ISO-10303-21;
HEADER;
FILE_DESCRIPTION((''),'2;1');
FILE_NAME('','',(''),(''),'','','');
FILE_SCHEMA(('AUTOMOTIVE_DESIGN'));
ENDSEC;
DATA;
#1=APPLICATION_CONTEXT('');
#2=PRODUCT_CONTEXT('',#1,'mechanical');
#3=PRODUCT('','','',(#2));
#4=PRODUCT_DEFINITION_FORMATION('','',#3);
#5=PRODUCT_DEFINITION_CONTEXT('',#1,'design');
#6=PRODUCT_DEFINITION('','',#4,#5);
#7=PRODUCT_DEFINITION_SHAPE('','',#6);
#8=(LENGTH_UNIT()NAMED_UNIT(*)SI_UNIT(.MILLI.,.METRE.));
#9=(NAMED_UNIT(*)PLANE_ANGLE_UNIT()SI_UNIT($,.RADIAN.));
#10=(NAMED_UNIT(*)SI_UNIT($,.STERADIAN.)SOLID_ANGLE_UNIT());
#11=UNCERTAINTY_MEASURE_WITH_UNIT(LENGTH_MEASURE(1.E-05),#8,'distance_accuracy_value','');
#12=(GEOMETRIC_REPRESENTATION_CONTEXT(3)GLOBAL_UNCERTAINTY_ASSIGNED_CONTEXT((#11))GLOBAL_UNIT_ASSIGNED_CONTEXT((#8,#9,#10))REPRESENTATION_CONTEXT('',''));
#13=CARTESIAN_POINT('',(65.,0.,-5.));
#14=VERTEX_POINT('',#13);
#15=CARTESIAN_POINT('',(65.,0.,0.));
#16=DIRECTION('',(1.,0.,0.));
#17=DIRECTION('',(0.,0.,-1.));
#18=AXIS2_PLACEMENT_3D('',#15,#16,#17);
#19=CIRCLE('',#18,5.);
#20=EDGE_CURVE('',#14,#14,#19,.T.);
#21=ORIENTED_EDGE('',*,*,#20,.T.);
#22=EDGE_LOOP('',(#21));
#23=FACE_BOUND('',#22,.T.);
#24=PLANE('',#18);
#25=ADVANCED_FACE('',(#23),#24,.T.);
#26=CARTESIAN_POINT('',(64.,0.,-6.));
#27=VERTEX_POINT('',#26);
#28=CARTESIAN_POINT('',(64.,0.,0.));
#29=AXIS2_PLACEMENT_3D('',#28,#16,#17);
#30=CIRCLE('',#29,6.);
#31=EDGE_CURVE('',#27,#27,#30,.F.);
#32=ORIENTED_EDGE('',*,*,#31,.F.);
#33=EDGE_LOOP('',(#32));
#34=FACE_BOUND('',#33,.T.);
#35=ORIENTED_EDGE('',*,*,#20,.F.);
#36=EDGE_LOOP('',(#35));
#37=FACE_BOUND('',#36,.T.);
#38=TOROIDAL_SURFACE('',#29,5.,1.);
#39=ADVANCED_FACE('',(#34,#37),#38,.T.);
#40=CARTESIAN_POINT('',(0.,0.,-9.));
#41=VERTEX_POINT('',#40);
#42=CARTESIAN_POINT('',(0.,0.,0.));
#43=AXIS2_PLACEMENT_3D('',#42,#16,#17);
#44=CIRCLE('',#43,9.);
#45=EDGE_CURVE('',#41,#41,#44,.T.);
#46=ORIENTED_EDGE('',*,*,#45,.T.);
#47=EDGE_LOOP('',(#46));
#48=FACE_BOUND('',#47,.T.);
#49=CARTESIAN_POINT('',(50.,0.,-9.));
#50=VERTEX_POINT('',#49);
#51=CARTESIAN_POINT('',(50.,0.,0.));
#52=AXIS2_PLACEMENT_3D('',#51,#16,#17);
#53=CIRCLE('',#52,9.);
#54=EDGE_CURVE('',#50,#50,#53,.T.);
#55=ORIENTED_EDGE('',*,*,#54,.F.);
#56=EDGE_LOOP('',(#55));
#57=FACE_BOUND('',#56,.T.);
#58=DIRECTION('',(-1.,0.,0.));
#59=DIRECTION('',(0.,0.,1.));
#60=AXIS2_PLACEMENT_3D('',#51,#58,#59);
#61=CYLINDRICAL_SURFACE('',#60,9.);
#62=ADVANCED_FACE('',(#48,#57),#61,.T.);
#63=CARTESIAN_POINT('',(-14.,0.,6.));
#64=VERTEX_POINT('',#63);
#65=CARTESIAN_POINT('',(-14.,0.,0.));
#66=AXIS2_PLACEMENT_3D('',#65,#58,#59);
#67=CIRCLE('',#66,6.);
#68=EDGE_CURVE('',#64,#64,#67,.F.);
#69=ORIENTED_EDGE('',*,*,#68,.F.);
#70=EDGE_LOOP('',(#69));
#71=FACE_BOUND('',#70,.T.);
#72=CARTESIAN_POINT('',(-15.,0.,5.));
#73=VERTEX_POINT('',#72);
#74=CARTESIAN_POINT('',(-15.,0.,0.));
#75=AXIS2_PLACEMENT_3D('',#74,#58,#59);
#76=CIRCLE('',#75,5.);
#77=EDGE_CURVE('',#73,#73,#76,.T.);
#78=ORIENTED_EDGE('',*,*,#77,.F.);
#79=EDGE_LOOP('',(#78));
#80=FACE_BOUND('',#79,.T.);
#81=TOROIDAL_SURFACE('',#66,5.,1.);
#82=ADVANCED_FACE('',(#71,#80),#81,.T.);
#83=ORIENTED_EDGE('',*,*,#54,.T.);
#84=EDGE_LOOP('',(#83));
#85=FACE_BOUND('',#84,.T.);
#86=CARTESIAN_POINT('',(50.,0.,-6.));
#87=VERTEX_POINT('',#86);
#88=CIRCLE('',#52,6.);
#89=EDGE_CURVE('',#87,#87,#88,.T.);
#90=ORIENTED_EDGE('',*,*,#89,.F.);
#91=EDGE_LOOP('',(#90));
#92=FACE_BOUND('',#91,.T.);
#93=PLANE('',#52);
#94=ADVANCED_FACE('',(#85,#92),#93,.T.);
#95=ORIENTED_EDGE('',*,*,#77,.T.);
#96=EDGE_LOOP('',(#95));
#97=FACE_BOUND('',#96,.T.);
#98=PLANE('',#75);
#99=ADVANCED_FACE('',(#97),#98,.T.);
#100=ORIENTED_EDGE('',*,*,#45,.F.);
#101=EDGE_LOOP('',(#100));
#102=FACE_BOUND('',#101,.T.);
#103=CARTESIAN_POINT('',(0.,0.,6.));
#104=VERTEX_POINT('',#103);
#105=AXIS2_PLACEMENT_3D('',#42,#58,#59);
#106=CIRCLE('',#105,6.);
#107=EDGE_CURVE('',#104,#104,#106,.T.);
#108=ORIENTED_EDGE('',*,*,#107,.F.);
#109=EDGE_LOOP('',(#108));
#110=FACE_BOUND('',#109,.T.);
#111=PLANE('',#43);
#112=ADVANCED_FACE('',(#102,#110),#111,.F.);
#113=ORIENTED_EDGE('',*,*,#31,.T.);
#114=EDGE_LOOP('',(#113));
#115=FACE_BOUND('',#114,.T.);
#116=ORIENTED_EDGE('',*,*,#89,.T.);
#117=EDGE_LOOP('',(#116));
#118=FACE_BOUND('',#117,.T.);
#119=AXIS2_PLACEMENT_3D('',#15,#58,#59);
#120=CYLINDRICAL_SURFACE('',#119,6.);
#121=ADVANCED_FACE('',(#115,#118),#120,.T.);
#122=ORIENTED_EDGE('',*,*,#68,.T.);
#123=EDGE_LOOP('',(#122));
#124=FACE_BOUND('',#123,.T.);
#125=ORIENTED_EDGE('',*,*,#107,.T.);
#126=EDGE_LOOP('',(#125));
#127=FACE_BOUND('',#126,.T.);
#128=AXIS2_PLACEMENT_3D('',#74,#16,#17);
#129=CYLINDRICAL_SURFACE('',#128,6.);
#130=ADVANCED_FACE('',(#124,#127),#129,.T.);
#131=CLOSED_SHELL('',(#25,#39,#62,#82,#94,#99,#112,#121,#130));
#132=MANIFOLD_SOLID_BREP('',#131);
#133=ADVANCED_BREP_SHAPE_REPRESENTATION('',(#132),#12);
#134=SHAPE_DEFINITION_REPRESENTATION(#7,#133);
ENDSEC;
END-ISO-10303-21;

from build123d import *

# Parameters (mm, degrees)
SKETCH1_R           = 9
BOSS_EXTRUDE1_DEPTH = 50
SKETCH2_R           = 6
BOSS_EXTRUDE2_DEPTH = 15
BOSS_EXTRUDE3_START = 15
SKETCH3_R           = 6
BOSS_EXTRUDE3_DEPTH = 15
FILLET1_R           = 1
FILLET2_R           = 1


with BuildPart() as part:
    # Sketch1 → Boss-Extrude1 (new body)
    with BuildSketch(Plane(origin=(0, 0, 0), x_dir=(0, 0, -1), z_dir=(1, 0, 0))):
        Circle(SKETCH1_R)
    extrude(amount=BOSS_EXTRUDE1_DEPTH)

    # Sketch2 → Boss-Extrude2 (add)
    with BuildSketch(Plane(origin=(50, 0, 0), x_dir=(0, 0, -1), z_dir=(1, 0, 0))):
        Circle(SKETCH2_R)
    extrude(amount=BOSS_EXTRUDE2_DEPTH)

    # Sketch3 → Boss-Extrude3 (add)
    with BuildSketch(Plane.ZY.offset(BOSS_EXTRUDE3_START)):
        with Locations(Location((0, 0, 0), (0, 0, 180))):
            Circle(SKETCH3_R)
    extrude(amount=-BOSS_EXTRUDE3_DEPTH)

    # Fillet1
    fillet1_edges = [part.edges().sort_by_distance(p)[0] for p in [
        (-15, 0, 6),
    ]]
    fillet(fillet1_edges, radius=FILLET1_R)

    # Fillet2
    fillet2_edges = [part.edges().sort_by_distance(p)[0] for p in [
        (65, 0, 6),
    ]]
    fillet(fillet2_edges, radius=FILLET2_R)


solid = part.part
